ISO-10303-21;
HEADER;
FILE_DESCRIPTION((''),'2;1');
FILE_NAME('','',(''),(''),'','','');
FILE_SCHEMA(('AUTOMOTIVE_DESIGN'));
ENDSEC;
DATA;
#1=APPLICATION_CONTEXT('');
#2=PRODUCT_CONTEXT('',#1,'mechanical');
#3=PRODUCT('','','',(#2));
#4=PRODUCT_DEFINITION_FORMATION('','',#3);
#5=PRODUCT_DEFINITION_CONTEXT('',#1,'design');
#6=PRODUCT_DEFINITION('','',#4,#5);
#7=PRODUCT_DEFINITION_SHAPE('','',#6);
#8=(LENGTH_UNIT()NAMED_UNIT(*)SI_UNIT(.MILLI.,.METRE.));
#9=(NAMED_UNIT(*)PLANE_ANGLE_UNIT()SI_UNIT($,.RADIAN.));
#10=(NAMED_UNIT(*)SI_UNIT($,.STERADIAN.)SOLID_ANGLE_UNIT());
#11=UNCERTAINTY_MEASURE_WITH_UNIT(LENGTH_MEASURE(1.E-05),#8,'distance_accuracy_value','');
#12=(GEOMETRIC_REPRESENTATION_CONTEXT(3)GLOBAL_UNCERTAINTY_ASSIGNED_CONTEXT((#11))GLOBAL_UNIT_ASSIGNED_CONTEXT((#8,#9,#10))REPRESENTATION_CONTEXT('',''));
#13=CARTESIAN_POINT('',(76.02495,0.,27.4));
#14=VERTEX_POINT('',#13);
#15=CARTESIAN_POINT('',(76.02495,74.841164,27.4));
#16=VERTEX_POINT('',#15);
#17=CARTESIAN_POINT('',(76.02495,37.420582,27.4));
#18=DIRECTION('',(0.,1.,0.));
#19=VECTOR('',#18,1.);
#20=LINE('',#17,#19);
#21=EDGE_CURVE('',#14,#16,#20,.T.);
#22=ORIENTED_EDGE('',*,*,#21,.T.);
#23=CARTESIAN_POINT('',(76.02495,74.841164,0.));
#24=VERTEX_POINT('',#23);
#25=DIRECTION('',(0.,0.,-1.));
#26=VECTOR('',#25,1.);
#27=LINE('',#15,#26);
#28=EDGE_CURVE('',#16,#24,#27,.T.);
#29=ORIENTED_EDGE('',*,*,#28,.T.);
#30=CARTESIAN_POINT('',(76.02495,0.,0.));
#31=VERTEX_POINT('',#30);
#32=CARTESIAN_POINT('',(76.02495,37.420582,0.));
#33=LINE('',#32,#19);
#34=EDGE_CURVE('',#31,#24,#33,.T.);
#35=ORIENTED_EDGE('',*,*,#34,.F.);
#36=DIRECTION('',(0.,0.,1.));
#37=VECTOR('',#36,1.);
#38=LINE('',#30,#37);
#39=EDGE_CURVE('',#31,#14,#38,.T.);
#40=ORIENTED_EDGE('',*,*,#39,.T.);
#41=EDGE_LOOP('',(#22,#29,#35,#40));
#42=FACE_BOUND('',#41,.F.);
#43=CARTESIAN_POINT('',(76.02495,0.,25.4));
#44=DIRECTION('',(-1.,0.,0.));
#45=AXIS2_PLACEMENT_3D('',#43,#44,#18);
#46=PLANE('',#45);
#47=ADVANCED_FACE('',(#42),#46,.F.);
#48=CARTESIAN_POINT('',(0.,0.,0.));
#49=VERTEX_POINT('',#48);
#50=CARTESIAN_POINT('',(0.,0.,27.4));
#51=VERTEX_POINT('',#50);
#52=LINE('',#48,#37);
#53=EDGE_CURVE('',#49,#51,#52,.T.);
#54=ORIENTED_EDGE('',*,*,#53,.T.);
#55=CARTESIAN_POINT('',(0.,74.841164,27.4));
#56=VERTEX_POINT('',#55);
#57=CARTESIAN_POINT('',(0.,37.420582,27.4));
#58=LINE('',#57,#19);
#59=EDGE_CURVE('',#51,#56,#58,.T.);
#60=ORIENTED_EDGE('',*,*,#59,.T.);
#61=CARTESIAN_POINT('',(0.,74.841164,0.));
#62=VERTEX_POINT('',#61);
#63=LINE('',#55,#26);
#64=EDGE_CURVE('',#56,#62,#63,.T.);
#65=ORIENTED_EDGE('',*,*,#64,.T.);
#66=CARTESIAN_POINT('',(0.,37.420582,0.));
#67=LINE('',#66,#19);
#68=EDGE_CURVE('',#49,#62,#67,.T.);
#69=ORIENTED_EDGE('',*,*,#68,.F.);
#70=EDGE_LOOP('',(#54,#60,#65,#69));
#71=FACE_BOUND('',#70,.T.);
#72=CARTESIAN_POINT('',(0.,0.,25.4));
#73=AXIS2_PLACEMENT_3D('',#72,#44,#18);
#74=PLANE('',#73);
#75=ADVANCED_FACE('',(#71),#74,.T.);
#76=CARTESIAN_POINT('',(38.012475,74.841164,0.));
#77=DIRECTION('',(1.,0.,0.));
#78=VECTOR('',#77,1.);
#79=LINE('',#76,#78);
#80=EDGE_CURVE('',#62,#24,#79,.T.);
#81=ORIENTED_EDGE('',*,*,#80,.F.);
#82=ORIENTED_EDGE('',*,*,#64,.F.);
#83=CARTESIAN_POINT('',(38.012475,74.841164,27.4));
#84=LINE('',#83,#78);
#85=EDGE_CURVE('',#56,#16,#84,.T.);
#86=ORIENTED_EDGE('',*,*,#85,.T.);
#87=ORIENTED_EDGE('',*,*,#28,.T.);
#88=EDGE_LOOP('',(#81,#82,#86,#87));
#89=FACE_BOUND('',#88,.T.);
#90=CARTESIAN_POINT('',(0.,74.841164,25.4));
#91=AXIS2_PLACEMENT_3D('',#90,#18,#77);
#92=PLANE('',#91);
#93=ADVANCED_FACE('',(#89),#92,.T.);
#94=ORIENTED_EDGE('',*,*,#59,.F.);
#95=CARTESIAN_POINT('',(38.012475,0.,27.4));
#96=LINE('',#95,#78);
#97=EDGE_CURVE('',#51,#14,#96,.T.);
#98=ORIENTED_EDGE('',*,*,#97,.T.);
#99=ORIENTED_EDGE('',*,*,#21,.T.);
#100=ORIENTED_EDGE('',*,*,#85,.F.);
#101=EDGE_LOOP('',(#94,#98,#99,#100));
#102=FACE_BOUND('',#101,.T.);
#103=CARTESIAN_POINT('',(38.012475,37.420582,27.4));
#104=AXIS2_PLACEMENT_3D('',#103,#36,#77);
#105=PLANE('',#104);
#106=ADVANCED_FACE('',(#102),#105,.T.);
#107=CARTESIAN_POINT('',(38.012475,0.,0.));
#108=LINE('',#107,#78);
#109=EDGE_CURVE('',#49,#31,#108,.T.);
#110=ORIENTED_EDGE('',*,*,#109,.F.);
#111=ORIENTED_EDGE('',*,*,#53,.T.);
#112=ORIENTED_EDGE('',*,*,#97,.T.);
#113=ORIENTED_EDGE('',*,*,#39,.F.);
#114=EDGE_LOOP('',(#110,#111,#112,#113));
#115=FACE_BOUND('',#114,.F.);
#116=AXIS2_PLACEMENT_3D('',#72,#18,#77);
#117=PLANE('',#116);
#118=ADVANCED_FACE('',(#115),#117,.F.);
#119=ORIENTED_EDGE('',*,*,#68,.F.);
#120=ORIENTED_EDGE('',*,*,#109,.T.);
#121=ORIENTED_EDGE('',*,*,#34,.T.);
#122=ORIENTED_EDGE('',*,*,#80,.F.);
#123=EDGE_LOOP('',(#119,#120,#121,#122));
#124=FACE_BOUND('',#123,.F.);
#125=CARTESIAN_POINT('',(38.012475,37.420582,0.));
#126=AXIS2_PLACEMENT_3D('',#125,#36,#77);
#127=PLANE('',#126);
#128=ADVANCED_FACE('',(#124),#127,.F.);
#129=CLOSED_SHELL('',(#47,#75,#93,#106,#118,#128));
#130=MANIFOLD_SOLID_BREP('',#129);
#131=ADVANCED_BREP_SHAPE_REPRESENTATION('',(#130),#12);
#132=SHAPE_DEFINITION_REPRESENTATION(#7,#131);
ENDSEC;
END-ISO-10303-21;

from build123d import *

# Parameters (mm, degrees)
F0_W      = 76.02495
F0_H      = 74.841164
F1_DEPTH  = 25.4
F1_FACE_W = 76.02495
F1_FACE_H = 74.841164
F2_DEPTH  = 2


with BuildPart() as f1:
    # F0 (on Top) → F1 (new body)
    with BuildSketch(Plane.XY):
        with Locations((38.012475, 37.420582)):
            Rectangle(F0_W, F0_H)
    extrude(amount=F1_DEPTH)

    # F1_face (on face) → F2 (join)
    with BuildSketch(Plane(origin=(38.012475, 37.420582, 25.4), x_dir=(1, 0, 0), z_dir=(0, 0, 1))):
        Rectangle(F1_FACE_W, F1_FACE_H)
    extrude(amount=F2_DEPTH)


solid = f1.part
